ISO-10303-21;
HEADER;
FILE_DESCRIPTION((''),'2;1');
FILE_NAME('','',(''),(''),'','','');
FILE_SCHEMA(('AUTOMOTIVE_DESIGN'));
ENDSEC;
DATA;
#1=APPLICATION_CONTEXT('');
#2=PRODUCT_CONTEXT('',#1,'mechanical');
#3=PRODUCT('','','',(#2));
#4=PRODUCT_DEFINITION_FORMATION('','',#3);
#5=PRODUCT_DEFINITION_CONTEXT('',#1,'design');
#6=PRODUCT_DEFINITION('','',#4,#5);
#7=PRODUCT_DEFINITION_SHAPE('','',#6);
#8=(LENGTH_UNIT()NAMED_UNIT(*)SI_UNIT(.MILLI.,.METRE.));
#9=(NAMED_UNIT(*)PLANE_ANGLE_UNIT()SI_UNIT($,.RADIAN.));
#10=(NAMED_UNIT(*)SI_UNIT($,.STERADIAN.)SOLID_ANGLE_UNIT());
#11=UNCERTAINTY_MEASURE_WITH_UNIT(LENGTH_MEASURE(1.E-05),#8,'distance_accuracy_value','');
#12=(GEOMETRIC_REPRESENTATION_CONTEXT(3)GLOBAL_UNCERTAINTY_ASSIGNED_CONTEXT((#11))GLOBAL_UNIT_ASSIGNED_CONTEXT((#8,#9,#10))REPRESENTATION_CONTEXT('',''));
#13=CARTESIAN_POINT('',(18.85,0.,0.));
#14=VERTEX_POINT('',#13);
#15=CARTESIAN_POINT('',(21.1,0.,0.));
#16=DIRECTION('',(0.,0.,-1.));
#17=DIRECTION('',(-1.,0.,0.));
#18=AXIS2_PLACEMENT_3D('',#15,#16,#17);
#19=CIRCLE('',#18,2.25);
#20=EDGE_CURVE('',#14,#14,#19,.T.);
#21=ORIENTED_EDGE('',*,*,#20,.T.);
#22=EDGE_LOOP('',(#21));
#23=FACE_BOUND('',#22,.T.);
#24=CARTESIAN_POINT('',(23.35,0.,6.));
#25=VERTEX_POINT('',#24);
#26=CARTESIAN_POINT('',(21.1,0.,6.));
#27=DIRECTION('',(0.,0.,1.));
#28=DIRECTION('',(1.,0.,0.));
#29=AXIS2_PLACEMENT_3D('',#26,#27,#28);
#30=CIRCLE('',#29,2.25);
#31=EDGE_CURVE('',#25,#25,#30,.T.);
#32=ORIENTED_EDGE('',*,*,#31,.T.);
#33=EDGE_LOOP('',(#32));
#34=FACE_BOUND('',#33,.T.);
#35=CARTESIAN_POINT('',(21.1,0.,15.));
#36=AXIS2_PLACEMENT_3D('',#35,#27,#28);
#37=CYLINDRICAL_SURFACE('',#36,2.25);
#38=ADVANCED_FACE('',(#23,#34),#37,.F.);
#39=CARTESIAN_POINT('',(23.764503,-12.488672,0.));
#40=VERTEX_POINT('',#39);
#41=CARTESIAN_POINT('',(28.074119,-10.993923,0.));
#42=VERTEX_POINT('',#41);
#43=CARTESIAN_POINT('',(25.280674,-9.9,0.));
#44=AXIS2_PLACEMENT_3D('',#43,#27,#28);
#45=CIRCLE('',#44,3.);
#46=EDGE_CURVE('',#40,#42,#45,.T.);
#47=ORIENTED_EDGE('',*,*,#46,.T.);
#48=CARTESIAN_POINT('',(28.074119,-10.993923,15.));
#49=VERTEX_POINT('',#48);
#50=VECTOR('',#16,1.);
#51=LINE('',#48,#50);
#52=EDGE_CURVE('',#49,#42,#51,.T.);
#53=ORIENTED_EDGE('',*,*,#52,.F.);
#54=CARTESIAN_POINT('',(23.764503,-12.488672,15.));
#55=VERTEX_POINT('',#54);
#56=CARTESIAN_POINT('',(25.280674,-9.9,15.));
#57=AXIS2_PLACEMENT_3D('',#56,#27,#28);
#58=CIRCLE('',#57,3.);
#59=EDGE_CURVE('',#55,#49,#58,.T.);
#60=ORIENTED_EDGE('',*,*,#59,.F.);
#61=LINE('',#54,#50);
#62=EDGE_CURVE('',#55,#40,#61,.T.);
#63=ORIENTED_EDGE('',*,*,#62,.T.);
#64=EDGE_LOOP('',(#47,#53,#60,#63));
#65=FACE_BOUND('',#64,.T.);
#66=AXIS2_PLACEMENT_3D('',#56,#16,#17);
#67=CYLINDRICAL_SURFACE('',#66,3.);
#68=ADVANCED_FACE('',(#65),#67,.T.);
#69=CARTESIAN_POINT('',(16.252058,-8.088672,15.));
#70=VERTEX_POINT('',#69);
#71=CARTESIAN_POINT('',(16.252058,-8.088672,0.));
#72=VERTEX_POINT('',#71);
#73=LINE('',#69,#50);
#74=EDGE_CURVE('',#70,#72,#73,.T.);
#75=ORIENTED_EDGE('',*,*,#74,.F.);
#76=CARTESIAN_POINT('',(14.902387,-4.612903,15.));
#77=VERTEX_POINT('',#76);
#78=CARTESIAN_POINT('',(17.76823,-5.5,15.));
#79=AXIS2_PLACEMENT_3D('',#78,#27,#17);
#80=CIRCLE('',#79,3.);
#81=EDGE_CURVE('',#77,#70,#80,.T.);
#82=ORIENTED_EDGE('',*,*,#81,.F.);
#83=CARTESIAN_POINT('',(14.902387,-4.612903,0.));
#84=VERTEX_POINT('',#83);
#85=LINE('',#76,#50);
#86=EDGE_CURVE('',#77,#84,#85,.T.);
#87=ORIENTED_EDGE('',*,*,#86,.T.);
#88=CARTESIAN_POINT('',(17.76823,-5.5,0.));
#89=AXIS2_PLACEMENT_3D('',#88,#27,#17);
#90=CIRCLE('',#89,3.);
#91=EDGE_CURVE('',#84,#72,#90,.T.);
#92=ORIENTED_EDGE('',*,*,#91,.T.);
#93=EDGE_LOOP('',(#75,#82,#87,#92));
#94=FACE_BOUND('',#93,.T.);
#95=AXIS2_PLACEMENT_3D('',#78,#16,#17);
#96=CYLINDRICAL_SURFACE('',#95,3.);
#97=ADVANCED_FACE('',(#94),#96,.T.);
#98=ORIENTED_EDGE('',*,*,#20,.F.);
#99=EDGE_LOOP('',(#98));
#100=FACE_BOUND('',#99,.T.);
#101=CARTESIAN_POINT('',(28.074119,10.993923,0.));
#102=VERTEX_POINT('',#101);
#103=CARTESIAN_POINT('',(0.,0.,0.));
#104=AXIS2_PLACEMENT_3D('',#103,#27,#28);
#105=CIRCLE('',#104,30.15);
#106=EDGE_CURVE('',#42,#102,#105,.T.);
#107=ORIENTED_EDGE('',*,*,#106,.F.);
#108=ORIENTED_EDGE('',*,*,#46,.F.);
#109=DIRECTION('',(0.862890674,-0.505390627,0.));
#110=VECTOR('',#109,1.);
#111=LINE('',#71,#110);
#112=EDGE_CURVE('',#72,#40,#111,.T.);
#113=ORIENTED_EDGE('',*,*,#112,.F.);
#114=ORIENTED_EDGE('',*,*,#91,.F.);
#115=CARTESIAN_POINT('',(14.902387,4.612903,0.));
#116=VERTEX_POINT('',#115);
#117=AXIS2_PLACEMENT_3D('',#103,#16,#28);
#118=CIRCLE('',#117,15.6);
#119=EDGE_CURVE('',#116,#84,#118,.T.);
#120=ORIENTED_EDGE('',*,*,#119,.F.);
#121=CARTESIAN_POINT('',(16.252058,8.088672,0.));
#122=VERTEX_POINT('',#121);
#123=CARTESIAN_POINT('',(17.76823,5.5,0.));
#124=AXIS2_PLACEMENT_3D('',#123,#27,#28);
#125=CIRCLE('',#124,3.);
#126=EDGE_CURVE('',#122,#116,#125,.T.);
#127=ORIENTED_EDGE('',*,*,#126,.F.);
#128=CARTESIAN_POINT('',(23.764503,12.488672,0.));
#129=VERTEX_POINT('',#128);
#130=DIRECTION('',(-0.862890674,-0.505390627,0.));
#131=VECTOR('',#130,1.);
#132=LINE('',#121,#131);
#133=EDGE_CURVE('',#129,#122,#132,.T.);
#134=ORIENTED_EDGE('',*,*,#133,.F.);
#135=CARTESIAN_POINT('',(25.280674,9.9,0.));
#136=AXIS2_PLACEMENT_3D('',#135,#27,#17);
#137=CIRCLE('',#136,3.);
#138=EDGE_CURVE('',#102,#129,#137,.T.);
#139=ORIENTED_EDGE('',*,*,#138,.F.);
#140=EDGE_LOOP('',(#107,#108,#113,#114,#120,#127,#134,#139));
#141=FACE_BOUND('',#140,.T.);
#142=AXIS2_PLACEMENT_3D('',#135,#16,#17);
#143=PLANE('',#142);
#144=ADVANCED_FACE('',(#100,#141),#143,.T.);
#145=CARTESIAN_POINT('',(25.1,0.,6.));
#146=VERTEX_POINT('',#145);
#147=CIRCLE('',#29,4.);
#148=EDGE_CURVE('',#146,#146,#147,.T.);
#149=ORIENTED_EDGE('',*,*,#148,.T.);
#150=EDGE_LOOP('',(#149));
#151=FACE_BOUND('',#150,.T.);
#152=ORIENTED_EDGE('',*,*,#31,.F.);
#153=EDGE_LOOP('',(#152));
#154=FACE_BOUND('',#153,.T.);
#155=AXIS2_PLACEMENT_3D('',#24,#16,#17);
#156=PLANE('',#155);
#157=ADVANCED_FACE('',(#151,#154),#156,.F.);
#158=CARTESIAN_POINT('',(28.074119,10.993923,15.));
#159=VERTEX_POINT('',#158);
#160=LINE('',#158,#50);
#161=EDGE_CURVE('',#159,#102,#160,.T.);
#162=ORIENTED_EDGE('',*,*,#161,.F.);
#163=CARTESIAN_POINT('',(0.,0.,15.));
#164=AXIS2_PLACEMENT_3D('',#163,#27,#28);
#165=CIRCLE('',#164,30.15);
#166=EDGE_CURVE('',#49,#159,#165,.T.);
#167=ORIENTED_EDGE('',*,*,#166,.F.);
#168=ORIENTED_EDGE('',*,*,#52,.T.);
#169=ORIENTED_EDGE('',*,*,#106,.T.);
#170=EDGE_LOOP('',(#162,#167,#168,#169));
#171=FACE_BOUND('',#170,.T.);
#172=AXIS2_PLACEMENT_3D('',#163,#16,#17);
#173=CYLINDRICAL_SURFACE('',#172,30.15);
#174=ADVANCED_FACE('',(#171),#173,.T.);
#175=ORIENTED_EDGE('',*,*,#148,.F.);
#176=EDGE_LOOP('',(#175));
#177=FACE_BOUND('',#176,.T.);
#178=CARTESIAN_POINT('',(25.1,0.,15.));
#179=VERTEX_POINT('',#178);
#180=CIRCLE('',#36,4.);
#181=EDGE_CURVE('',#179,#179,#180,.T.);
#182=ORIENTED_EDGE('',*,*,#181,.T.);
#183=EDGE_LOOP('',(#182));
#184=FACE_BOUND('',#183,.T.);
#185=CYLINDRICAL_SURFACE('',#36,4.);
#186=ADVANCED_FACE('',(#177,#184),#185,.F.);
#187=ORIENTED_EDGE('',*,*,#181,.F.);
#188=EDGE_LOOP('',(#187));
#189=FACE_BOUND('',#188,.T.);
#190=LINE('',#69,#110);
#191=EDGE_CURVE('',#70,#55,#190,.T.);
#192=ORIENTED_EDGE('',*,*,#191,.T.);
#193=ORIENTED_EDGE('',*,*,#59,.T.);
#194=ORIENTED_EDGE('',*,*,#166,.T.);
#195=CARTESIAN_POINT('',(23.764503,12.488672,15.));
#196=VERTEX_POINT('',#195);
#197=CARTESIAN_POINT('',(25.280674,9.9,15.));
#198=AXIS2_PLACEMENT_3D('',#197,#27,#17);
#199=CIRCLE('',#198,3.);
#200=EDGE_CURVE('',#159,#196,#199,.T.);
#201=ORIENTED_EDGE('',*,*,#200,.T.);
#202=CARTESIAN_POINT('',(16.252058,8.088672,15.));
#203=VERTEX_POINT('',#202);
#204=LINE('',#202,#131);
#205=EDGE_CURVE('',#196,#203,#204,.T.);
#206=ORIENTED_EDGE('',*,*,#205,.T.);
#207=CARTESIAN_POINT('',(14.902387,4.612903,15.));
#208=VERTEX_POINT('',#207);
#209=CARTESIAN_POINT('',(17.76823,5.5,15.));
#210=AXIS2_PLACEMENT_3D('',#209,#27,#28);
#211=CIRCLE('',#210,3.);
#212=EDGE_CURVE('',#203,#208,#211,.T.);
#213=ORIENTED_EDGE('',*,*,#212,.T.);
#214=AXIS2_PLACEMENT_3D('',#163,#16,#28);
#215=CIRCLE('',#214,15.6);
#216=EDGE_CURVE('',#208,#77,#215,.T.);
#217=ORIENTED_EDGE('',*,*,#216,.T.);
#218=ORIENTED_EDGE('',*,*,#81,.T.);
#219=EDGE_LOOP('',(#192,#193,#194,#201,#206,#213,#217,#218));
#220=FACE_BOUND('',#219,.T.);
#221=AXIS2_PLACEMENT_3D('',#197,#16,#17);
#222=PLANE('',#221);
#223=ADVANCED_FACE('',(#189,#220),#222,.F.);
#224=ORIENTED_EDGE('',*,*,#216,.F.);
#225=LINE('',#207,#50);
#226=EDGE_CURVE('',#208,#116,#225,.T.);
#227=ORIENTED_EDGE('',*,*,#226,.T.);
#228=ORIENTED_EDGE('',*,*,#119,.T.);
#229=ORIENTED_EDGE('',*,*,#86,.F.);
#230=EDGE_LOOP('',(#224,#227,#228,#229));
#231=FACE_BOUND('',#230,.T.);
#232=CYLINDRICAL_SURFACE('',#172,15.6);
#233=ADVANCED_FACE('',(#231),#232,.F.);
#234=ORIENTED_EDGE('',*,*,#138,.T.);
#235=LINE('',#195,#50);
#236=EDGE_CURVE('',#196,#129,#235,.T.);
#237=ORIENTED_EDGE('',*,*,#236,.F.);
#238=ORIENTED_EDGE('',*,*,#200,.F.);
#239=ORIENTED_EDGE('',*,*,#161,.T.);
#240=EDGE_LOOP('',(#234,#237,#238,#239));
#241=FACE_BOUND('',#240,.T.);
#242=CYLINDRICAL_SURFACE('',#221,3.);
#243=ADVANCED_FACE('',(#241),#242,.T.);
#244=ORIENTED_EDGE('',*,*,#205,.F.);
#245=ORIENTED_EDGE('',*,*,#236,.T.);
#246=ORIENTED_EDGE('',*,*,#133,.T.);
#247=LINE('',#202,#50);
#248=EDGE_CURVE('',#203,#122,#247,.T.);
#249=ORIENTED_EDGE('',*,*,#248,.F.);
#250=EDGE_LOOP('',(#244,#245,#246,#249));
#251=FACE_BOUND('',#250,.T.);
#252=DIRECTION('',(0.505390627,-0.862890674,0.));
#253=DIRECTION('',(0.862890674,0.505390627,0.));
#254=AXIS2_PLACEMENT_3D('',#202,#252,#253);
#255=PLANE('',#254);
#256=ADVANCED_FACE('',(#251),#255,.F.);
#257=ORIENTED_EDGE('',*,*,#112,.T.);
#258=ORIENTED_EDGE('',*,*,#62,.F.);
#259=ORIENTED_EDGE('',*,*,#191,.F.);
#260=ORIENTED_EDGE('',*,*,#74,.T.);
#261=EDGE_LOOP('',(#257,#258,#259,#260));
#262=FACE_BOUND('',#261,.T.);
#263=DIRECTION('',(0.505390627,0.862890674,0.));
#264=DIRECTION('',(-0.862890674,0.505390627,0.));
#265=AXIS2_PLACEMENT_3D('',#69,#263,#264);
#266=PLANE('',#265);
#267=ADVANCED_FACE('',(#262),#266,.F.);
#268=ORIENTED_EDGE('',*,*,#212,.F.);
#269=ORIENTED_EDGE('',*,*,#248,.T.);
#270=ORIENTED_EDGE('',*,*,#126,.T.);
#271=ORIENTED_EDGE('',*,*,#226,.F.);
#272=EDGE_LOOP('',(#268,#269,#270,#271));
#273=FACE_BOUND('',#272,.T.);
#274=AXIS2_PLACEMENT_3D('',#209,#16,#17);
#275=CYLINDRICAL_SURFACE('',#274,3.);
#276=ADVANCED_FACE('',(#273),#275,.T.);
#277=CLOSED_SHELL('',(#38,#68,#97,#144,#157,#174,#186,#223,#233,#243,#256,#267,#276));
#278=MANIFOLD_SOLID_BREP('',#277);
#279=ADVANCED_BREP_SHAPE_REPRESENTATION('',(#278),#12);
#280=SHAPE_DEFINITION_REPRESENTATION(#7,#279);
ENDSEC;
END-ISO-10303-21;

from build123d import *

# Parameters (mm, degrees)
CORPO_DEPTH                     = 15
REBAIXO_PARAFUSO_M4_D           = 4.5
REBAIXO_PARAFUSO_M4_DEPTH       = 30
REBAIXO_PARAFUSO_M4_CBORE_D     = 8
REBAIXO_PARAFUSO_M4_CBORE_DEPTH = 9
REBAIXO_PARAFUSO_M4_TIP         = 1.351936393


with BuildPart() as part:
    # Sketch1 → Corpo (new body)
    with BuildSketch(Plane.XY):
        with BuildLine():
            Line((16.252058195, 8.088672021), (23.764502557, 12.488672021))
            ThreePointArc((23.764502557, 12.488672021), (26.263743802, 12.734356122), (28.074119126, 10.993922652))
            ThreePointArc((28.074119126, 10.993922652), (30.15, 0), (28.074119126, -10.993922652))
            ThreePointArc((28.074119126, -10.993922652), (26.263743802, -12.734356122), (23.764502557, -12.488672021))
            Line((23.764502557, -12.488672021), (16.252058195, -8.088672021))
            ThreePointArc((16.252058195, -8.088672021), (14.971668435, -6.585929552), (14.902386515, -4.612903226))
            ThreePointArc((14.902386515, -4.612903226), (15.6, 0), (14.902386515, 4.612903226))
            ThreePointArc((14.902386515, 4.612903226), (14.971668435, 6.585929552), (16.252058195, 8.088672021))
        make_face()
    extrude(amount=CORPO_DEPTH)

    # Rebaixo - Parafuso M4
    with Locations(Plane.XY.offset(15)):
        with Locations((21.1, 0)):
            CounterBoreHole(REBAIXO_PARAFUSO_M4_D / 2, REBAIXO_PARAFUSO_M4_CBORE_D / 2, REBAIXO_PARAFUSO_M4_CBORE_DEPTH, depth=REBAIXO_PARAFUSO_M4_DEPTH)
            with Locations((0, 0, -(REBAIXO_PARAFUSO_M4_DEPTH + REBAIXO_PARAFUSO_M4_TIP / 2))):  # 118° drill point
                Cone(0, REBAIXO_PARAFUSO_M4_D / 2, REBAIXO_PARAFUSO_M4_TIP, mode=Mode.SUBTRACT)


solid = part.part
